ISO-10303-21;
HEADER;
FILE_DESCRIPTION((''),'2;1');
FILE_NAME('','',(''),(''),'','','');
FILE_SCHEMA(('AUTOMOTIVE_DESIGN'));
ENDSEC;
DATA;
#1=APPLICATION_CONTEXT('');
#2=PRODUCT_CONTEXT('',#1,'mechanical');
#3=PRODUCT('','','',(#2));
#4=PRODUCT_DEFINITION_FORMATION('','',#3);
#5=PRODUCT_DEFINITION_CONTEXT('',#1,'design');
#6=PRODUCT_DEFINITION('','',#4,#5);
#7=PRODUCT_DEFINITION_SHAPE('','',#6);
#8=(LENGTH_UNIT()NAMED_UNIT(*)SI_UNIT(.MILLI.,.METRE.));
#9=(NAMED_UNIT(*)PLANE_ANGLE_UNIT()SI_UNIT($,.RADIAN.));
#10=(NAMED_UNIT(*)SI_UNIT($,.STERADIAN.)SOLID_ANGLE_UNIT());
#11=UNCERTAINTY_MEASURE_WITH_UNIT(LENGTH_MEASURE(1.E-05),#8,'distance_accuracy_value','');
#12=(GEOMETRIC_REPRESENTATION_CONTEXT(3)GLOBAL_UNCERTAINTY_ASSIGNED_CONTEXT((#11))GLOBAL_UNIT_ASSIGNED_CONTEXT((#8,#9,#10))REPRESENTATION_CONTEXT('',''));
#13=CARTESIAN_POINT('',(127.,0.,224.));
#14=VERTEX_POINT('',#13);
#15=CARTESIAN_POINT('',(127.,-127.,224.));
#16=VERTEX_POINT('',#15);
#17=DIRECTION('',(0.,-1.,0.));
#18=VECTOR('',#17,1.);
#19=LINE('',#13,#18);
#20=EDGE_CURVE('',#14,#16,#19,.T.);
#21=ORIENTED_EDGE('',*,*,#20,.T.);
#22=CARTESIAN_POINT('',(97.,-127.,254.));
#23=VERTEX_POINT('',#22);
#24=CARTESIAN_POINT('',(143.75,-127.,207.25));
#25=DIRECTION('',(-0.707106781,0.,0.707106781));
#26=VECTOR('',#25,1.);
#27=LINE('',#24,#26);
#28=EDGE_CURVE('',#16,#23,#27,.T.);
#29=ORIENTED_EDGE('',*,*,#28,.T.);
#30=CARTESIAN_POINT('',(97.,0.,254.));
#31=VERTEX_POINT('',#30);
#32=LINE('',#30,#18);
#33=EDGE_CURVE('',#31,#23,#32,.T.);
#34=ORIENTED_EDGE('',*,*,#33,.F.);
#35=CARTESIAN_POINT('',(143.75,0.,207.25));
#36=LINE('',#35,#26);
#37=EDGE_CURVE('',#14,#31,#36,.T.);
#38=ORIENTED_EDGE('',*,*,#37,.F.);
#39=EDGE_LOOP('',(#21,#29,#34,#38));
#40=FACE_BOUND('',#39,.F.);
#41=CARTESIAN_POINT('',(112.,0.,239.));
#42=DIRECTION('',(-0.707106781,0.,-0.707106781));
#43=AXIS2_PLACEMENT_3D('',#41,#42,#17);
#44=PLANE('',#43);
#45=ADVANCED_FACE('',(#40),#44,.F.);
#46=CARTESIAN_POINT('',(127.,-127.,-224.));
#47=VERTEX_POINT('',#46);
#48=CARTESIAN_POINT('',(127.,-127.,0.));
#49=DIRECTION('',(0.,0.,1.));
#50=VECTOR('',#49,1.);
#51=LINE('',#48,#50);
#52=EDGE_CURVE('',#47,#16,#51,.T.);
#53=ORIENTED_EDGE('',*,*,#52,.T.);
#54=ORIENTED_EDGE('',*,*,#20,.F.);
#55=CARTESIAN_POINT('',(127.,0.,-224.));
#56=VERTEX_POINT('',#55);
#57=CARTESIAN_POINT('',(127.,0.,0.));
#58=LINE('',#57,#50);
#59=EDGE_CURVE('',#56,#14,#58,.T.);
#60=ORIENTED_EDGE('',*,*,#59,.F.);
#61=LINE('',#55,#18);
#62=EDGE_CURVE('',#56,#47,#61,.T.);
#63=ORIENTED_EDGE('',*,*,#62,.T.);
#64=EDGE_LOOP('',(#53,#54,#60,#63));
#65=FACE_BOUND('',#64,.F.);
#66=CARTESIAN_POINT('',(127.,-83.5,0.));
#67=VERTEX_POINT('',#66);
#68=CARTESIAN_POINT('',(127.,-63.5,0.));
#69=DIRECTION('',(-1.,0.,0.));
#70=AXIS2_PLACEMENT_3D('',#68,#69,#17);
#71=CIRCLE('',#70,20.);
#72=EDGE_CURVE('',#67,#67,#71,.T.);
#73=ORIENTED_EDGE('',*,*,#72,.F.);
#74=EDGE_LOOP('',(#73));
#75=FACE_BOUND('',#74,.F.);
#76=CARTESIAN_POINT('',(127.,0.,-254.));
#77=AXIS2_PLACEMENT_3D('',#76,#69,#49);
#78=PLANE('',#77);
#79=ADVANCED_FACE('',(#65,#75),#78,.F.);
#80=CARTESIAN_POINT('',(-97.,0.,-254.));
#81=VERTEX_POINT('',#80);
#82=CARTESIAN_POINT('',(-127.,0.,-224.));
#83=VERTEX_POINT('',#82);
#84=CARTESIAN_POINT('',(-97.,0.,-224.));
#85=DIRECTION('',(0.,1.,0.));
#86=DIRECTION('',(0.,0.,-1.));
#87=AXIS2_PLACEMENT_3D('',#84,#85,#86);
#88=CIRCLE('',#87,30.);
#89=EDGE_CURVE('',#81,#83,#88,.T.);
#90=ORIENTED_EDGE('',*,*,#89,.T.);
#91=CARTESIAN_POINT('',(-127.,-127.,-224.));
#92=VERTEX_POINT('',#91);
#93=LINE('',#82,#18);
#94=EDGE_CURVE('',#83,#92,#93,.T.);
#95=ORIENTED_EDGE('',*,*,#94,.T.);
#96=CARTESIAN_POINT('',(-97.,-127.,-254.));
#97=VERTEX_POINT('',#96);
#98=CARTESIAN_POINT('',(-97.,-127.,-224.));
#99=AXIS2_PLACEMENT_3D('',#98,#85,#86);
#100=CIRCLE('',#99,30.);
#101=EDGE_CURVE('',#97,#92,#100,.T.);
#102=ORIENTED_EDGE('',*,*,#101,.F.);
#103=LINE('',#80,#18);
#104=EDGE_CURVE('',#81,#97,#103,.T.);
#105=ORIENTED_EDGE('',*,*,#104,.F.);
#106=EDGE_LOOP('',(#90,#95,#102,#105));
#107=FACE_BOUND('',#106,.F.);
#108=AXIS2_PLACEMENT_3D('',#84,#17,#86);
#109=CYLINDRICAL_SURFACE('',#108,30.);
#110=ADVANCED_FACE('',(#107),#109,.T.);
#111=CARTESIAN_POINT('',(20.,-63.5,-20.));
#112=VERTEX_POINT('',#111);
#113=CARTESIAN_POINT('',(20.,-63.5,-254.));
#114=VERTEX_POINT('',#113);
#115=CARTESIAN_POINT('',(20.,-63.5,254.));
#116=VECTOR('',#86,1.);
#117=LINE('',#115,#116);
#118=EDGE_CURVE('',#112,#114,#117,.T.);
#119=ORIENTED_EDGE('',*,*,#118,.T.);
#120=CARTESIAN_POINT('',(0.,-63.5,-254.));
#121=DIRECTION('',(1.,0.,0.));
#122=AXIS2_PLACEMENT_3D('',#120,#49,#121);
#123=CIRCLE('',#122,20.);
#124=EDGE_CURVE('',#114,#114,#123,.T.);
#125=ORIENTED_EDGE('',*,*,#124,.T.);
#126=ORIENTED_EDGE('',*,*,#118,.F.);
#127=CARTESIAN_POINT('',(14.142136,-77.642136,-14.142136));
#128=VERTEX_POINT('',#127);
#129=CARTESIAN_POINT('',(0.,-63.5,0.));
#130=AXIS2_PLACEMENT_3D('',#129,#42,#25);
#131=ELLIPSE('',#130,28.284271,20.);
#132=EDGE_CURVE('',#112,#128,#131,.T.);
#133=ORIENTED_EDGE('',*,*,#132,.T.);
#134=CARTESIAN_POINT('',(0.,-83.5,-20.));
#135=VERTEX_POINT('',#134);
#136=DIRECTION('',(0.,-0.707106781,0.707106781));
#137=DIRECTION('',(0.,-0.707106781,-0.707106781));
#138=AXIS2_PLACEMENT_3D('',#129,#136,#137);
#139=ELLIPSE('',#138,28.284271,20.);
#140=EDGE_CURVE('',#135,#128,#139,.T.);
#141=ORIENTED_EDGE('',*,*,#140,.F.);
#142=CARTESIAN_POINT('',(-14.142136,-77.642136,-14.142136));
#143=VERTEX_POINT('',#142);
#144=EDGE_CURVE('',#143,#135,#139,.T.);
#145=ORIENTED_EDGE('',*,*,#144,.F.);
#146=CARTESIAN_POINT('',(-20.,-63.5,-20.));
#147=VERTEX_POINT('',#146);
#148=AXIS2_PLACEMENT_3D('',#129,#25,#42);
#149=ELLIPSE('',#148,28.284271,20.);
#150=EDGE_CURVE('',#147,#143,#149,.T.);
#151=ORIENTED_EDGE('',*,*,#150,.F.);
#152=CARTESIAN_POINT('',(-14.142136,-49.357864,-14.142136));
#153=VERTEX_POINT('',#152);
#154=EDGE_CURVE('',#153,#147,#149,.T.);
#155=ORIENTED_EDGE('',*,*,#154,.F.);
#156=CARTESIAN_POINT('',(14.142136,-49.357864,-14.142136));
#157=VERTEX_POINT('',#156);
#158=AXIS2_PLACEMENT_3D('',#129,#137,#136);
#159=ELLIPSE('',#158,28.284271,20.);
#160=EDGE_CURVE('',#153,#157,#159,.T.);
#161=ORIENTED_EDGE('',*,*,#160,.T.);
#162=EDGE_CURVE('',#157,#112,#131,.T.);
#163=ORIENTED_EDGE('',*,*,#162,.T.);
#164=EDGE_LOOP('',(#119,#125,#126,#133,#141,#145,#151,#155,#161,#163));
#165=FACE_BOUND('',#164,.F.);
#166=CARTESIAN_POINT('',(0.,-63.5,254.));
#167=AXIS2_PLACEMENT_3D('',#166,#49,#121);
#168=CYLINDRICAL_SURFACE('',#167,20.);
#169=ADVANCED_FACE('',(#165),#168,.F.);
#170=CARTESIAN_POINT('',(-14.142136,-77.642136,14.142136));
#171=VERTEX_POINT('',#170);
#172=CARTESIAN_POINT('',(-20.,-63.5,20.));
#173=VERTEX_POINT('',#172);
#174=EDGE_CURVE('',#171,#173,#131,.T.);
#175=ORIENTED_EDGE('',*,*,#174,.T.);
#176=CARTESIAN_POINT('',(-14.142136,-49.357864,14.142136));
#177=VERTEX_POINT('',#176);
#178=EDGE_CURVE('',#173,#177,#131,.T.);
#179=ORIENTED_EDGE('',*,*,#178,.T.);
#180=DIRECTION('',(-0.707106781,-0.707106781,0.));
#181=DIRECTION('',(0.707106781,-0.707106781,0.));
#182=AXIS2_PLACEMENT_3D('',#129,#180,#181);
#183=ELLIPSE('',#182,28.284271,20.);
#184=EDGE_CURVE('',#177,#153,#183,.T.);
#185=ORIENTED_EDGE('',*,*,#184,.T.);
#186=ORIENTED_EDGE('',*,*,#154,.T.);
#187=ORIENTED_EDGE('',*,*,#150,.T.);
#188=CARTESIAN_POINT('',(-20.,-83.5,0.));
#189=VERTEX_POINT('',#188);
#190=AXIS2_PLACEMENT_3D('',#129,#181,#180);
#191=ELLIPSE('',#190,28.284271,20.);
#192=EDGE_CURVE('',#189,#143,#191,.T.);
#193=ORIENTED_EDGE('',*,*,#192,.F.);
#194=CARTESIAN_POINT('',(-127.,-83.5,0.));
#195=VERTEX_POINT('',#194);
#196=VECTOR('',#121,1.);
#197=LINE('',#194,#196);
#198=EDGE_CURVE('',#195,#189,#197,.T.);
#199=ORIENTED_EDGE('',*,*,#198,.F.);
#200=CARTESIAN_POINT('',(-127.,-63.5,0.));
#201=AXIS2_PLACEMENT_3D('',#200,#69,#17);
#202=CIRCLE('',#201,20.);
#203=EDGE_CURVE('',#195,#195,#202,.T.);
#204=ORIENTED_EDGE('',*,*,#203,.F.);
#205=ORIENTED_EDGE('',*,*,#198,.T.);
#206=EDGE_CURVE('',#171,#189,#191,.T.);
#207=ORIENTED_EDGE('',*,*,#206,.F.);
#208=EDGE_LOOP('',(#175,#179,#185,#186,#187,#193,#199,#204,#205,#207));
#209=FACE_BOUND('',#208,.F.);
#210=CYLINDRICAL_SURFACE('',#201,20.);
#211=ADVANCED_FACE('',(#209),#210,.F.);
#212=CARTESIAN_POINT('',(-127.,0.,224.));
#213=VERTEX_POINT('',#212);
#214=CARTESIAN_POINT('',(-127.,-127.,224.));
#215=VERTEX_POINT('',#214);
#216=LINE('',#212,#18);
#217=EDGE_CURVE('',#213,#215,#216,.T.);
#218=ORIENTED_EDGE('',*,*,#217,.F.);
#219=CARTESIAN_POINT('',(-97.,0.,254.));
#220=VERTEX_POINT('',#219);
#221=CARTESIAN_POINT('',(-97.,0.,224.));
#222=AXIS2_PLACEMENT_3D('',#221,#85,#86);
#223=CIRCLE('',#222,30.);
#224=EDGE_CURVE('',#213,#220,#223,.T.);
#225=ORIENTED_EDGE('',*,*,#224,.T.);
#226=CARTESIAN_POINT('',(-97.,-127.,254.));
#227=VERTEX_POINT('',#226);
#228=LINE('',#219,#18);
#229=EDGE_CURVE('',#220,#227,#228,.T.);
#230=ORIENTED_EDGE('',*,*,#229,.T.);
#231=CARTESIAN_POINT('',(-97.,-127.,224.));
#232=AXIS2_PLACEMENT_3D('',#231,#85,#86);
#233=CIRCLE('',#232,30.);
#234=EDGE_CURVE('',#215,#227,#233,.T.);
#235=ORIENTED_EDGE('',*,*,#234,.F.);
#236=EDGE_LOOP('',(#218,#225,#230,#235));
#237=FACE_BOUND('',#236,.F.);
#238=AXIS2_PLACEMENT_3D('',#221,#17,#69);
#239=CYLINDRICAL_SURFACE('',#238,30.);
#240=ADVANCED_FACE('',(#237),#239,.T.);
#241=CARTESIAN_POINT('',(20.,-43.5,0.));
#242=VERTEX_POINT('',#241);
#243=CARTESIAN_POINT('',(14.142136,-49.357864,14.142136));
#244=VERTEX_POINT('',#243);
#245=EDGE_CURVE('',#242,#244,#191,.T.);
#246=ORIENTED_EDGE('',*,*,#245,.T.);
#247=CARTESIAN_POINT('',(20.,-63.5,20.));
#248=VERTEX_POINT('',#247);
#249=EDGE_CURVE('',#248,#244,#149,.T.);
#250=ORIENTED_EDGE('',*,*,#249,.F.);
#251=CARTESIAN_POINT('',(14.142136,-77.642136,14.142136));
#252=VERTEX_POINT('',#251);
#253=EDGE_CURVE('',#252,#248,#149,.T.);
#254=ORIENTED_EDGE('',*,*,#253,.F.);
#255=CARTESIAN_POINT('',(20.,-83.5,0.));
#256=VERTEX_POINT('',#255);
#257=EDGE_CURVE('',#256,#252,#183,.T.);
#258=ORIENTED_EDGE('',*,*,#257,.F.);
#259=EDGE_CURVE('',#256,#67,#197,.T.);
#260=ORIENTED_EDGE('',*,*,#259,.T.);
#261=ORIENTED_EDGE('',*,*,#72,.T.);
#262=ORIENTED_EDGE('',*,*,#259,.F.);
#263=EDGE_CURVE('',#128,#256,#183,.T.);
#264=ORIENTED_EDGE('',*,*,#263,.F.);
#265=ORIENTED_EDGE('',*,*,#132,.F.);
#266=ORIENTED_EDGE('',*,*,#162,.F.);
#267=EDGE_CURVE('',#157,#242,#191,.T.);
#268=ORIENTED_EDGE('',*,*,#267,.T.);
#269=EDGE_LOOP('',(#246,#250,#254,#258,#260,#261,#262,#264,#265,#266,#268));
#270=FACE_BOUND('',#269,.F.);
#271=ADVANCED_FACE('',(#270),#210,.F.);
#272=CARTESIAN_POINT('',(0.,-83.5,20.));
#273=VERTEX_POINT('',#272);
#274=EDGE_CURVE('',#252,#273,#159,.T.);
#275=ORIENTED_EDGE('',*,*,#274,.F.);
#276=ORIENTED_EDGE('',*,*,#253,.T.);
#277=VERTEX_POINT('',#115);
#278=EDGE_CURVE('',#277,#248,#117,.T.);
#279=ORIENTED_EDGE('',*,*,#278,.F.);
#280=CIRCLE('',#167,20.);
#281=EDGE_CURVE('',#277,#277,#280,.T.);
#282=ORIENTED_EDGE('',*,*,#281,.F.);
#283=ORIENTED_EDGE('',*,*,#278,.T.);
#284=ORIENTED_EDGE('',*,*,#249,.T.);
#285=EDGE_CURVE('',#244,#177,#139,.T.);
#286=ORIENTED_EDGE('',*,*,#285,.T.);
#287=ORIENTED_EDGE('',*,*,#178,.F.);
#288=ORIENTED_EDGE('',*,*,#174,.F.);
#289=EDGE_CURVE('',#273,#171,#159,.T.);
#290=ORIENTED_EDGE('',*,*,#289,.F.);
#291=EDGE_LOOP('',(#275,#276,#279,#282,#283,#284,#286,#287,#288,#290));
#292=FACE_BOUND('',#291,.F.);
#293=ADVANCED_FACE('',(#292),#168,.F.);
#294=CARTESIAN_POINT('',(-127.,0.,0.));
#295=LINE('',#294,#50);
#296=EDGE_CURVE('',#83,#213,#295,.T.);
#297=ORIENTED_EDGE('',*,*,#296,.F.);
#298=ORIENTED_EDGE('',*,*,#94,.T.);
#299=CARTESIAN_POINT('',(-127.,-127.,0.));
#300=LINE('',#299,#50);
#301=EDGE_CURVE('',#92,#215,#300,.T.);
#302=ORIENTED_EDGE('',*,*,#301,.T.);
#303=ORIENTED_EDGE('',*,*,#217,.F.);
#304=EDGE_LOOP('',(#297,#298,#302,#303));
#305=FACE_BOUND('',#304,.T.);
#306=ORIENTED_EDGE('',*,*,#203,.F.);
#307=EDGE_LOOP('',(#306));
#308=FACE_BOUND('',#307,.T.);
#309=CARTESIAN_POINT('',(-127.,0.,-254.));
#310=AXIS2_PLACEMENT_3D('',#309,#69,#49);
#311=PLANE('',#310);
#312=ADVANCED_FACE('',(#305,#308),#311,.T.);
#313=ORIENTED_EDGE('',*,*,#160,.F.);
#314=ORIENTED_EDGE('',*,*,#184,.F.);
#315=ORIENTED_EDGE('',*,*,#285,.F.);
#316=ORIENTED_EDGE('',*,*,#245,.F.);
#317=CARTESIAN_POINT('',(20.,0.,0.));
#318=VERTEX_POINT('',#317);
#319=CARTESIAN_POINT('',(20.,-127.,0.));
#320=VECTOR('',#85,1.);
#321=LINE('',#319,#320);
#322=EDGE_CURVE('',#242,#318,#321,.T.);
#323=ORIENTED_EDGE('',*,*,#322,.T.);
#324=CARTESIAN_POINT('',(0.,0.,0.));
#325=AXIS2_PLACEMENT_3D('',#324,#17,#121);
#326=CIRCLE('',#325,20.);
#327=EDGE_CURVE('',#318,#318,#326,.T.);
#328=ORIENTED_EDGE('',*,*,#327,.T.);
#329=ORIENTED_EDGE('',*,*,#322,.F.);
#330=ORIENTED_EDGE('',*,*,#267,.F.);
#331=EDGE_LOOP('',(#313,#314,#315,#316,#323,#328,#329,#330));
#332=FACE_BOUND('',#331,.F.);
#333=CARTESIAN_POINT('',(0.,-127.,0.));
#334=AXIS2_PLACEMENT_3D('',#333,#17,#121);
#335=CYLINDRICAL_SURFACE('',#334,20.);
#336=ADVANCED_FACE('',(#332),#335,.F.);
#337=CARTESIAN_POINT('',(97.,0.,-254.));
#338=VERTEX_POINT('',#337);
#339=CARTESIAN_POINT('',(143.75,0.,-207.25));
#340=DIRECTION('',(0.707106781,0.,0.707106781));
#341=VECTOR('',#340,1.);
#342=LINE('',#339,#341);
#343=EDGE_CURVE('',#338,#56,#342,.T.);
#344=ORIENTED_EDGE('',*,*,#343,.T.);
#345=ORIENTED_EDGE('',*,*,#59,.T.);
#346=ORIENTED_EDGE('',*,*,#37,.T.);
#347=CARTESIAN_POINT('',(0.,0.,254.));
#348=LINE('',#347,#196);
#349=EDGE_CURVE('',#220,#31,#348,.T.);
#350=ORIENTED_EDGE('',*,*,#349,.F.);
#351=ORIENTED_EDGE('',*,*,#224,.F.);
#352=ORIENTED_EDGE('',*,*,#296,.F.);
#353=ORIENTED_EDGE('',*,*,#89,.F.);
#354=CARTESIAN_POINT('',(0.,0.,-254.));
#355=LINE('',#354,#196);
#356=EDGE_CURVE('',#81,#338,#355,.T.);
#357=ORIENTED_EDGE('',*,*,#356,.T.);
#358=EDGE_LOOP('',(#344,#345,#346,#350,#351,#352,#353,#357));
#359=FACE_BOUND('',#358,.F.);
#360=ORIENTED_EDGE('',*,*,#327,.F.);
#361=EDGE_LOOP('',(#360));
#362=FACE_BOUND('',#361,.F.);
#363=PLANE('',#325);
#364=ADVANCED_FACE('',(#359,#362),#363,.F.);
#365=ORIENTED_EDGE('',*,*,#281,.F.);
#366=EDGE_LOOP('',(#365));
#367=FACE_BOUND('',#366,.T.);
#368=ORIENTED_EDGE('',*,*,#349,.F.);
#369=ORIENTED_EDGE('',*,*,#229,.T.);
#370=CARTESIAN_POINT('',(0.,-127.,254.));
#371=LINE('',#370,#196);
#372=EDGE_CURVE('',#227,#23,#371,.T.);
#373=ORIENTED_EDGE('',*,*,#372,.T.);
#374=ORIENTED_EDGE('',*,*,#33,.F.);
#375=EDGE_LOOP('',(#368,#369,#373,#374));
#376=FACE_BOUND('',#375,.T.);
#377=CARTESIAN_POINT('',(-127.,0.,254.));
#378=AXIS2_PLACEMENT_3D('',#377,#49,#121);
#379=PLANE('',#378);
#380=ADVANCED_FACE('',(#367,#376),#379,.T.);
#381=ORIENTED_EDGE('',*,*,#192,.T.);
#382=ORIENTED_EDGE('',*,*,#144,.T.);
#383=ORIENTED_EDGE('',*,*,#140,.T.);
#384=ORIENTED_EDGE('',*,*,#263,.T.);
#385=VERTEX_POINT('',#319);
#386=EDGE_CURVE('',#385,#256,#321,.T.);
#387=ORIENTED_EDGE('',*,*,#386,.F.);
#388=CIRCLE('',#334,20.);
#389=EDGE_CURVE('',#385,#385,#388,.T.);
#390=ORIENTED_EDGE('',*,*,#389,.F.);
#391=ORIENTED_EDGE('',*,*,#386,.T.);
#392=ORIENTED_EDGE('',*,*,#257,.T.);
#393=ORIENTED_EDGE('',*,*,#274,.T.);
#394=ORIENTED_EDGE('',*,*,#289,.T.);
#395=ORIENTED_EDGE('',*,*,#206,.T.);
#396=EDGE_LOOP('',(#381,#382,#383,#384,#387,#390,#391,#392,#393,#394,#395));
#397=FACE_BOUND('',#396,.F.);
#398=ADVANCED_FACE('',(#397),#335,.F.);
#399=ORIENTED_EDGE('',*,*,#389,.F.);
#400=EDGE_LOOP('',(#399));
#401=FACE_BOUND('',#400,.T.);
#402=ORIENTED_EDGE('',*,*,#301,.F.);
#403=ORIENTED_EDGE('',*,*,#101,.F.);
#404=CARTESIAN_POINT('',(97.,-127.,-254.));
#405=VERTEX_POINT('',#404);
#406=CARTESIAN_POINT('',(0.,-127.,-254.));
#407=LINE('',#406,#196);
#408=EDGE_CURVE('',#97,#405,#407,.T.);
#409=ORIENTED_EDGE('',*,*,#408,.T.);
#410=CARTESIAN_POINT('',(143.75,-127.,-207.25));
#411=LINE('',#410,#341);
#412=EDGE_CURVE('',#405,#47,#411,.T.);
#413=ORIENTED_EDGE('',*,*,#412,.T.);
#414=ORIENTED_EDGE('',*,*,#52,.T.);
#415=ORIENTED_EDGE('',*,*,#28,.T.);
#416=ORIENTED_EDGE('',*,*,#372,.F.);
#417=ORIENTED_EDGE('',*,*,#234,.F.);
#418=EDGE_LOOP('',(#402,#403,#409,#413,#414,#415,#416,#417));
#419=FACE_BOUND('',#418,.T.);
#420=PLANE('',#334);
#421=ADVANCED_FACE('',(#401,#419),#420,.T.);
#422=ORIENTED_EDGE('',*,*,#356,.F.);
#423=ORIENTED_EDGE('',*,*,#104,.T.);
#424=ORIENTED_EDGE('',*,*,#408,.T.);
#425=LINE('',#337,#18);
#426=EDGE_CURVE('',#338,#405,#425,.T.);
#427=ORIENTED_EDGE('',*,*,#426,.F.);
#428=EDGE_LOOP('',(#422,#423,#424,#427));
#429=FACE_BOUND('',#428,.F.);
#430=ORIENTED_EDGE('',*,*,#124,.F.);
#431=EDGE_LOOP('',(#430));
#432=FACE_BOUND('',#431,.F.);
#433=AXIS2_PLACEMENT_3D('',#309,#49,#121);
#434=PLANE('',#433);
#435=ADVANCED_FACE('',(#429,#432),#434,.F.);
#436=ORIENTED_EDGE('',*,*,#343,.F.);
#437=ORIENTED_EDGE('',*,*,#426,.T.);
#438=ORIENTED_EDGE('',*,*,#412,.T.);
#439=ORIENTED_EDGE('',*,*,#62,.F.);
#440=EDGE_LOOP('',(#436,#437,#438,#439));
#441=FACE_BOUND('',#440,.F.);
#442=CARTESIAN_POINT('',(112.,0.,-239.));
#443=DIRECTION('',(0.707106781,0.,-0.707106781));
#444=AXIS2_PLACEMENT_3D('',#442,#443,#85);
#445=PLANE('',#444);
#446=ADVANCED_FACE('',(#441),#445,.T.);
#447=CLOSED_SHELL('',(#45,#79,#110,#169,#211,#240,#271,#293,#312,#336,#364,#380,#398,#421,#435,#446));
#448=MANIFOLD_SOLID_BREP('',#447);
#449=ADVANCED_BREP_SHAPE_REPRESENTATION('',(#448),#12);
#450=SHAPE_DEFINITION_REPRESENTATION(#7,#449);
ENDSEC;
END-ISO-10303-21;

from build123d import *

# Parameters (mm, degrees)
F0_W     = 254
F0_H     = 508
F1_DEPTH = 127
F3_SIZE  = 30
F4_R     = 30
F2_R     = 20
F5_DEPTH = 127.001
F6_R     = 20
F7_DEPTH = 254.001
F8_R     = 20
F9_DEPTH = 508.001


with BuildPart() as f1:
    # F0 (on Front) → F1 (new body)
    with BuildSketch(Plane.XZ):
        Rectangle(F0_W, F0_H)
    extrude(amount=F1_DEPTH)

    # F3
    f3_edges = [f1.edges().sort_by_distance(p)[0] for p in [
        (127, -63.5, 254),
        (127, -63.5, -254),
    ]]
    chamfer(f3_edges, length=F3_SIZE)

    # F4
    f4_edges = [f1.edges().sort_by_distance(p)[0] for p in [
        (-127, -63.5, 254),
        (-127, -63.5, -254),
    ]]
    fillet(f4_edges, radius=F4_R)

    # F2 (on face) → F5 (cut, through all)
    with BuildSketch(Plane.XZ.offset(127)):
        Circle(F2_R)
    extrude(amount=-F5_DEPTH, mode=Mode.SUBTRACT)

    # F6 (on face) → F7 (cut, through all)
    with BuildSketch(Plane(origin=(-127, 0, 0), x_dir=(0, -1, 0), z_dir=(-1, 0, 0))):
        with Locations((63.5, 0)):
            Circle(F6_R)
    extrude(amount=-F7_DEPTH, mode=Mode.SUBTRACT)

    # F8 (on face) → F9 (cut, through all)
    with BuildSketch(Plane.XY.offset(254)):
        with Locations((0, -63.5)):
            Circle(F8_R)
    extrude(amount=-F9_DEPTH, mode=Mode.SUBTRACT)


solid = f1.part
